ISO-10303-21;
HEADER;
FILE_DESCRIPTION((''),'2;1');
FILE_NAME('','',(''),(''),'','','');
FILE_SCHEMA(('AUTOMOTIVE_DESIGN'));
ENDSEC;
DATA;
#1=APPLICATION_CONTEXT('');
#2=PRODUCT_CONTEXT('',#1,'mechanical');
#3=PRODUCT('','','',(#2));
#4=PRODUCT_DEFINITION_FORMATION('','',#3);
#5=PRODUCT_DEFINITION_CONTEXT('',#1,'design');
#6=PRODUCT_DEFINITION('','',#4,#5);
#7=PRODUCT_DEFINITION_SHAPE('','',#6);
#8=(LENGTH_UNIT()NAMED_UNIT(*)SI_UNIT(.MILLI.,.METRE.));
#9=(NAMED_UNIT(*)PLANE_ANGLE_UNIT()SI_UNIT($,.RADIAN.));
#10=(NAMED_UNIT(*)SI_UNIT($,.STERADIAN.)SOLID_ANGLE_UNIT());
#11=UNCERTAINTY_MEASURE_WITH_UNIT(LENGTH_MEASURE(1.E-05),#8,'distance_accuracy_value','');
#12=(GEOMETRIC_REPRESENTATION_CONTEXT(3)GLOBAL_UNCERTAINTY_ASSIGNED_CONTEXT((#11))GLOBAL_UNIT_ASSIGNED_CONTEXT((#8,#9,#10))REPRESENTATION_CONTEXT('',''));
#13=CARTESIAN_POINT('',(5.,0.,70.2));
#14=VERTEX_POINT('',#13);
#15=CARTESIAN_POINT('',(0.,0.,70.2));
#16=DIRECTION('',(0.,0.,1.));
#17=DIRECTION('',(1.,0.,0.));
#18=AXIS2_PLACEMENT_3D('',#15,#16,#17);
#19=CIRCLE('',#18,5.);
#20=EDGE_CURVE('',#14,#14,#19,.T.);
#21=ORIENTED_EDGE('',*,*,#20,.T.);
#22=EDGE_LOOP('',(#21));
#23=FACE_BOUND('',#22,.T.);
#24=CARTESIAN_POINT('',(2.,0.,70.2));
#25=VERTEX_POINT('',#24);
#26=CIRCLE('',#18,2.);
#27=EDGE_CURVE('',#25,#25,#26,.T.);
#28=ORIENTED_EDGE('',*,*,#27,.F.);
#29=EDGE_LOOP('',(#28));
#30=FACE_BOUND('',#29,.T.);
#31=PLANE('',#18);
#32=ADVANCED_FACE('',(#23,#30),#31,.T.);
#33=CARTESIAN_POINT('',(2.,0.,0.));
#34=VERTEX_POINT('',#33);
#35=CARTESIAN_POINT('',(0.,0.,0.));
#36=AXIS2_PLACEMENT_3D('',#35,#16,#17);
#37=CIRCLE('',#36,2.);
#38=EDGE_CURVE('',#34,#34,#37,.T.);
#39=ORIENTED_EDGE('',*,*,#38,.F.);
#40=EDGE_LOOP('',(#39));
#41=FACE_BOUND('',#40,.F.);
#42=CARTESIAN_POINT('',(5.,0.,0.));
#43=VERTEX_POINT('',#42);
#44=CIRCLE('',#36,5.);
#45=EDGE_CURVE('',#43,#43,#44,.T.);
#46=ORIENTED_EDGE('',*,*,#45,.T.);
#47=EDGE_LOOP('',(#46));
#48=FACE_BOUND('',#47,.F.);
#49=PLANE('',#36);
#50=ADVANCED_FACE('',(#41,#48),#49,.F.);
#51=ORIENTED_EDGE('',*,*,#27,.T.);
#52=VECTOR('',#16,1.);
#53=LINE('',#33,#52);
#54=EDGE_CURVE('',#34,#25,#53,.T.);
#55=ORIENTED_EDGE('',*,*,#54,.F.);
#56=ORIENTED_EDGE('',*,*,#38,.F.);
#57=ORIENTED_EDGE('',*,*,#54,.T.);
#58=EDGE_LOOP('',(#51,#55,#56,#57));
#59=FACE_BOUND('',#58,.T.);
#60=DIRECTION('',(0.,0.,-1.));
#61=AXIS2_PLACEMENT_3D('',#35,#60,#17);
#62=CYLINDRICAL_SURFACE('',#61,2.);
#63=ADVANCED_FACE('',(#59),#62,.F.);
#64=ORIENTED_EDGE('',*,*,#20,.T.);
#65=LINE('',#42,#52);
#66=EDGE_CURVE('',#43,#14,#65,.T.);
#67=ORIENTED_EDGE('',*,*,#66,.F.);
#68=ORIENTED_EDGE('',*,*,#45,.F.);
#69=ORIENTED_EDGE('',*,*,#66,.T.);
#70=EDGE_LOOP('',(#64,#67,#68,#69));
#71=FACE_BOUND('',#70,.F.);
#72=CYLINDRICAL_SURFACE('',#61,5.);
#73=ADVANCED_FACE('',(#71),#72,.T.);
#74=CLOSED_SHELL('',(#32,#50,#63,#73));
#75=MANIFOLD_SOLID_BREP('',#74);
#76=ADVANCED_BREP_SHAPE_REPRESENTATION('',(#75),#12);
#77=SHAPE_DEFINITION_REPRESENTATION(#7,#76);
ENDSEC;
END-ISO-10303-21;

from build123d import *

# Parameters (mm, degrees)
SKETCH_R   = 5
SKETCH_R_2 = 2
PAD_DEPTH  = 70.2


with BuildPart() as part:
    # Sketch → Pad (new body)
    with BuildSketch(Plane.XY):
        Circle(SKETCH_R)
        Circle(SKETCH_R_2, mode=Mode.SUBTRACT)
    extrude(amount=PAD_DEPTH)


solid = part.part
